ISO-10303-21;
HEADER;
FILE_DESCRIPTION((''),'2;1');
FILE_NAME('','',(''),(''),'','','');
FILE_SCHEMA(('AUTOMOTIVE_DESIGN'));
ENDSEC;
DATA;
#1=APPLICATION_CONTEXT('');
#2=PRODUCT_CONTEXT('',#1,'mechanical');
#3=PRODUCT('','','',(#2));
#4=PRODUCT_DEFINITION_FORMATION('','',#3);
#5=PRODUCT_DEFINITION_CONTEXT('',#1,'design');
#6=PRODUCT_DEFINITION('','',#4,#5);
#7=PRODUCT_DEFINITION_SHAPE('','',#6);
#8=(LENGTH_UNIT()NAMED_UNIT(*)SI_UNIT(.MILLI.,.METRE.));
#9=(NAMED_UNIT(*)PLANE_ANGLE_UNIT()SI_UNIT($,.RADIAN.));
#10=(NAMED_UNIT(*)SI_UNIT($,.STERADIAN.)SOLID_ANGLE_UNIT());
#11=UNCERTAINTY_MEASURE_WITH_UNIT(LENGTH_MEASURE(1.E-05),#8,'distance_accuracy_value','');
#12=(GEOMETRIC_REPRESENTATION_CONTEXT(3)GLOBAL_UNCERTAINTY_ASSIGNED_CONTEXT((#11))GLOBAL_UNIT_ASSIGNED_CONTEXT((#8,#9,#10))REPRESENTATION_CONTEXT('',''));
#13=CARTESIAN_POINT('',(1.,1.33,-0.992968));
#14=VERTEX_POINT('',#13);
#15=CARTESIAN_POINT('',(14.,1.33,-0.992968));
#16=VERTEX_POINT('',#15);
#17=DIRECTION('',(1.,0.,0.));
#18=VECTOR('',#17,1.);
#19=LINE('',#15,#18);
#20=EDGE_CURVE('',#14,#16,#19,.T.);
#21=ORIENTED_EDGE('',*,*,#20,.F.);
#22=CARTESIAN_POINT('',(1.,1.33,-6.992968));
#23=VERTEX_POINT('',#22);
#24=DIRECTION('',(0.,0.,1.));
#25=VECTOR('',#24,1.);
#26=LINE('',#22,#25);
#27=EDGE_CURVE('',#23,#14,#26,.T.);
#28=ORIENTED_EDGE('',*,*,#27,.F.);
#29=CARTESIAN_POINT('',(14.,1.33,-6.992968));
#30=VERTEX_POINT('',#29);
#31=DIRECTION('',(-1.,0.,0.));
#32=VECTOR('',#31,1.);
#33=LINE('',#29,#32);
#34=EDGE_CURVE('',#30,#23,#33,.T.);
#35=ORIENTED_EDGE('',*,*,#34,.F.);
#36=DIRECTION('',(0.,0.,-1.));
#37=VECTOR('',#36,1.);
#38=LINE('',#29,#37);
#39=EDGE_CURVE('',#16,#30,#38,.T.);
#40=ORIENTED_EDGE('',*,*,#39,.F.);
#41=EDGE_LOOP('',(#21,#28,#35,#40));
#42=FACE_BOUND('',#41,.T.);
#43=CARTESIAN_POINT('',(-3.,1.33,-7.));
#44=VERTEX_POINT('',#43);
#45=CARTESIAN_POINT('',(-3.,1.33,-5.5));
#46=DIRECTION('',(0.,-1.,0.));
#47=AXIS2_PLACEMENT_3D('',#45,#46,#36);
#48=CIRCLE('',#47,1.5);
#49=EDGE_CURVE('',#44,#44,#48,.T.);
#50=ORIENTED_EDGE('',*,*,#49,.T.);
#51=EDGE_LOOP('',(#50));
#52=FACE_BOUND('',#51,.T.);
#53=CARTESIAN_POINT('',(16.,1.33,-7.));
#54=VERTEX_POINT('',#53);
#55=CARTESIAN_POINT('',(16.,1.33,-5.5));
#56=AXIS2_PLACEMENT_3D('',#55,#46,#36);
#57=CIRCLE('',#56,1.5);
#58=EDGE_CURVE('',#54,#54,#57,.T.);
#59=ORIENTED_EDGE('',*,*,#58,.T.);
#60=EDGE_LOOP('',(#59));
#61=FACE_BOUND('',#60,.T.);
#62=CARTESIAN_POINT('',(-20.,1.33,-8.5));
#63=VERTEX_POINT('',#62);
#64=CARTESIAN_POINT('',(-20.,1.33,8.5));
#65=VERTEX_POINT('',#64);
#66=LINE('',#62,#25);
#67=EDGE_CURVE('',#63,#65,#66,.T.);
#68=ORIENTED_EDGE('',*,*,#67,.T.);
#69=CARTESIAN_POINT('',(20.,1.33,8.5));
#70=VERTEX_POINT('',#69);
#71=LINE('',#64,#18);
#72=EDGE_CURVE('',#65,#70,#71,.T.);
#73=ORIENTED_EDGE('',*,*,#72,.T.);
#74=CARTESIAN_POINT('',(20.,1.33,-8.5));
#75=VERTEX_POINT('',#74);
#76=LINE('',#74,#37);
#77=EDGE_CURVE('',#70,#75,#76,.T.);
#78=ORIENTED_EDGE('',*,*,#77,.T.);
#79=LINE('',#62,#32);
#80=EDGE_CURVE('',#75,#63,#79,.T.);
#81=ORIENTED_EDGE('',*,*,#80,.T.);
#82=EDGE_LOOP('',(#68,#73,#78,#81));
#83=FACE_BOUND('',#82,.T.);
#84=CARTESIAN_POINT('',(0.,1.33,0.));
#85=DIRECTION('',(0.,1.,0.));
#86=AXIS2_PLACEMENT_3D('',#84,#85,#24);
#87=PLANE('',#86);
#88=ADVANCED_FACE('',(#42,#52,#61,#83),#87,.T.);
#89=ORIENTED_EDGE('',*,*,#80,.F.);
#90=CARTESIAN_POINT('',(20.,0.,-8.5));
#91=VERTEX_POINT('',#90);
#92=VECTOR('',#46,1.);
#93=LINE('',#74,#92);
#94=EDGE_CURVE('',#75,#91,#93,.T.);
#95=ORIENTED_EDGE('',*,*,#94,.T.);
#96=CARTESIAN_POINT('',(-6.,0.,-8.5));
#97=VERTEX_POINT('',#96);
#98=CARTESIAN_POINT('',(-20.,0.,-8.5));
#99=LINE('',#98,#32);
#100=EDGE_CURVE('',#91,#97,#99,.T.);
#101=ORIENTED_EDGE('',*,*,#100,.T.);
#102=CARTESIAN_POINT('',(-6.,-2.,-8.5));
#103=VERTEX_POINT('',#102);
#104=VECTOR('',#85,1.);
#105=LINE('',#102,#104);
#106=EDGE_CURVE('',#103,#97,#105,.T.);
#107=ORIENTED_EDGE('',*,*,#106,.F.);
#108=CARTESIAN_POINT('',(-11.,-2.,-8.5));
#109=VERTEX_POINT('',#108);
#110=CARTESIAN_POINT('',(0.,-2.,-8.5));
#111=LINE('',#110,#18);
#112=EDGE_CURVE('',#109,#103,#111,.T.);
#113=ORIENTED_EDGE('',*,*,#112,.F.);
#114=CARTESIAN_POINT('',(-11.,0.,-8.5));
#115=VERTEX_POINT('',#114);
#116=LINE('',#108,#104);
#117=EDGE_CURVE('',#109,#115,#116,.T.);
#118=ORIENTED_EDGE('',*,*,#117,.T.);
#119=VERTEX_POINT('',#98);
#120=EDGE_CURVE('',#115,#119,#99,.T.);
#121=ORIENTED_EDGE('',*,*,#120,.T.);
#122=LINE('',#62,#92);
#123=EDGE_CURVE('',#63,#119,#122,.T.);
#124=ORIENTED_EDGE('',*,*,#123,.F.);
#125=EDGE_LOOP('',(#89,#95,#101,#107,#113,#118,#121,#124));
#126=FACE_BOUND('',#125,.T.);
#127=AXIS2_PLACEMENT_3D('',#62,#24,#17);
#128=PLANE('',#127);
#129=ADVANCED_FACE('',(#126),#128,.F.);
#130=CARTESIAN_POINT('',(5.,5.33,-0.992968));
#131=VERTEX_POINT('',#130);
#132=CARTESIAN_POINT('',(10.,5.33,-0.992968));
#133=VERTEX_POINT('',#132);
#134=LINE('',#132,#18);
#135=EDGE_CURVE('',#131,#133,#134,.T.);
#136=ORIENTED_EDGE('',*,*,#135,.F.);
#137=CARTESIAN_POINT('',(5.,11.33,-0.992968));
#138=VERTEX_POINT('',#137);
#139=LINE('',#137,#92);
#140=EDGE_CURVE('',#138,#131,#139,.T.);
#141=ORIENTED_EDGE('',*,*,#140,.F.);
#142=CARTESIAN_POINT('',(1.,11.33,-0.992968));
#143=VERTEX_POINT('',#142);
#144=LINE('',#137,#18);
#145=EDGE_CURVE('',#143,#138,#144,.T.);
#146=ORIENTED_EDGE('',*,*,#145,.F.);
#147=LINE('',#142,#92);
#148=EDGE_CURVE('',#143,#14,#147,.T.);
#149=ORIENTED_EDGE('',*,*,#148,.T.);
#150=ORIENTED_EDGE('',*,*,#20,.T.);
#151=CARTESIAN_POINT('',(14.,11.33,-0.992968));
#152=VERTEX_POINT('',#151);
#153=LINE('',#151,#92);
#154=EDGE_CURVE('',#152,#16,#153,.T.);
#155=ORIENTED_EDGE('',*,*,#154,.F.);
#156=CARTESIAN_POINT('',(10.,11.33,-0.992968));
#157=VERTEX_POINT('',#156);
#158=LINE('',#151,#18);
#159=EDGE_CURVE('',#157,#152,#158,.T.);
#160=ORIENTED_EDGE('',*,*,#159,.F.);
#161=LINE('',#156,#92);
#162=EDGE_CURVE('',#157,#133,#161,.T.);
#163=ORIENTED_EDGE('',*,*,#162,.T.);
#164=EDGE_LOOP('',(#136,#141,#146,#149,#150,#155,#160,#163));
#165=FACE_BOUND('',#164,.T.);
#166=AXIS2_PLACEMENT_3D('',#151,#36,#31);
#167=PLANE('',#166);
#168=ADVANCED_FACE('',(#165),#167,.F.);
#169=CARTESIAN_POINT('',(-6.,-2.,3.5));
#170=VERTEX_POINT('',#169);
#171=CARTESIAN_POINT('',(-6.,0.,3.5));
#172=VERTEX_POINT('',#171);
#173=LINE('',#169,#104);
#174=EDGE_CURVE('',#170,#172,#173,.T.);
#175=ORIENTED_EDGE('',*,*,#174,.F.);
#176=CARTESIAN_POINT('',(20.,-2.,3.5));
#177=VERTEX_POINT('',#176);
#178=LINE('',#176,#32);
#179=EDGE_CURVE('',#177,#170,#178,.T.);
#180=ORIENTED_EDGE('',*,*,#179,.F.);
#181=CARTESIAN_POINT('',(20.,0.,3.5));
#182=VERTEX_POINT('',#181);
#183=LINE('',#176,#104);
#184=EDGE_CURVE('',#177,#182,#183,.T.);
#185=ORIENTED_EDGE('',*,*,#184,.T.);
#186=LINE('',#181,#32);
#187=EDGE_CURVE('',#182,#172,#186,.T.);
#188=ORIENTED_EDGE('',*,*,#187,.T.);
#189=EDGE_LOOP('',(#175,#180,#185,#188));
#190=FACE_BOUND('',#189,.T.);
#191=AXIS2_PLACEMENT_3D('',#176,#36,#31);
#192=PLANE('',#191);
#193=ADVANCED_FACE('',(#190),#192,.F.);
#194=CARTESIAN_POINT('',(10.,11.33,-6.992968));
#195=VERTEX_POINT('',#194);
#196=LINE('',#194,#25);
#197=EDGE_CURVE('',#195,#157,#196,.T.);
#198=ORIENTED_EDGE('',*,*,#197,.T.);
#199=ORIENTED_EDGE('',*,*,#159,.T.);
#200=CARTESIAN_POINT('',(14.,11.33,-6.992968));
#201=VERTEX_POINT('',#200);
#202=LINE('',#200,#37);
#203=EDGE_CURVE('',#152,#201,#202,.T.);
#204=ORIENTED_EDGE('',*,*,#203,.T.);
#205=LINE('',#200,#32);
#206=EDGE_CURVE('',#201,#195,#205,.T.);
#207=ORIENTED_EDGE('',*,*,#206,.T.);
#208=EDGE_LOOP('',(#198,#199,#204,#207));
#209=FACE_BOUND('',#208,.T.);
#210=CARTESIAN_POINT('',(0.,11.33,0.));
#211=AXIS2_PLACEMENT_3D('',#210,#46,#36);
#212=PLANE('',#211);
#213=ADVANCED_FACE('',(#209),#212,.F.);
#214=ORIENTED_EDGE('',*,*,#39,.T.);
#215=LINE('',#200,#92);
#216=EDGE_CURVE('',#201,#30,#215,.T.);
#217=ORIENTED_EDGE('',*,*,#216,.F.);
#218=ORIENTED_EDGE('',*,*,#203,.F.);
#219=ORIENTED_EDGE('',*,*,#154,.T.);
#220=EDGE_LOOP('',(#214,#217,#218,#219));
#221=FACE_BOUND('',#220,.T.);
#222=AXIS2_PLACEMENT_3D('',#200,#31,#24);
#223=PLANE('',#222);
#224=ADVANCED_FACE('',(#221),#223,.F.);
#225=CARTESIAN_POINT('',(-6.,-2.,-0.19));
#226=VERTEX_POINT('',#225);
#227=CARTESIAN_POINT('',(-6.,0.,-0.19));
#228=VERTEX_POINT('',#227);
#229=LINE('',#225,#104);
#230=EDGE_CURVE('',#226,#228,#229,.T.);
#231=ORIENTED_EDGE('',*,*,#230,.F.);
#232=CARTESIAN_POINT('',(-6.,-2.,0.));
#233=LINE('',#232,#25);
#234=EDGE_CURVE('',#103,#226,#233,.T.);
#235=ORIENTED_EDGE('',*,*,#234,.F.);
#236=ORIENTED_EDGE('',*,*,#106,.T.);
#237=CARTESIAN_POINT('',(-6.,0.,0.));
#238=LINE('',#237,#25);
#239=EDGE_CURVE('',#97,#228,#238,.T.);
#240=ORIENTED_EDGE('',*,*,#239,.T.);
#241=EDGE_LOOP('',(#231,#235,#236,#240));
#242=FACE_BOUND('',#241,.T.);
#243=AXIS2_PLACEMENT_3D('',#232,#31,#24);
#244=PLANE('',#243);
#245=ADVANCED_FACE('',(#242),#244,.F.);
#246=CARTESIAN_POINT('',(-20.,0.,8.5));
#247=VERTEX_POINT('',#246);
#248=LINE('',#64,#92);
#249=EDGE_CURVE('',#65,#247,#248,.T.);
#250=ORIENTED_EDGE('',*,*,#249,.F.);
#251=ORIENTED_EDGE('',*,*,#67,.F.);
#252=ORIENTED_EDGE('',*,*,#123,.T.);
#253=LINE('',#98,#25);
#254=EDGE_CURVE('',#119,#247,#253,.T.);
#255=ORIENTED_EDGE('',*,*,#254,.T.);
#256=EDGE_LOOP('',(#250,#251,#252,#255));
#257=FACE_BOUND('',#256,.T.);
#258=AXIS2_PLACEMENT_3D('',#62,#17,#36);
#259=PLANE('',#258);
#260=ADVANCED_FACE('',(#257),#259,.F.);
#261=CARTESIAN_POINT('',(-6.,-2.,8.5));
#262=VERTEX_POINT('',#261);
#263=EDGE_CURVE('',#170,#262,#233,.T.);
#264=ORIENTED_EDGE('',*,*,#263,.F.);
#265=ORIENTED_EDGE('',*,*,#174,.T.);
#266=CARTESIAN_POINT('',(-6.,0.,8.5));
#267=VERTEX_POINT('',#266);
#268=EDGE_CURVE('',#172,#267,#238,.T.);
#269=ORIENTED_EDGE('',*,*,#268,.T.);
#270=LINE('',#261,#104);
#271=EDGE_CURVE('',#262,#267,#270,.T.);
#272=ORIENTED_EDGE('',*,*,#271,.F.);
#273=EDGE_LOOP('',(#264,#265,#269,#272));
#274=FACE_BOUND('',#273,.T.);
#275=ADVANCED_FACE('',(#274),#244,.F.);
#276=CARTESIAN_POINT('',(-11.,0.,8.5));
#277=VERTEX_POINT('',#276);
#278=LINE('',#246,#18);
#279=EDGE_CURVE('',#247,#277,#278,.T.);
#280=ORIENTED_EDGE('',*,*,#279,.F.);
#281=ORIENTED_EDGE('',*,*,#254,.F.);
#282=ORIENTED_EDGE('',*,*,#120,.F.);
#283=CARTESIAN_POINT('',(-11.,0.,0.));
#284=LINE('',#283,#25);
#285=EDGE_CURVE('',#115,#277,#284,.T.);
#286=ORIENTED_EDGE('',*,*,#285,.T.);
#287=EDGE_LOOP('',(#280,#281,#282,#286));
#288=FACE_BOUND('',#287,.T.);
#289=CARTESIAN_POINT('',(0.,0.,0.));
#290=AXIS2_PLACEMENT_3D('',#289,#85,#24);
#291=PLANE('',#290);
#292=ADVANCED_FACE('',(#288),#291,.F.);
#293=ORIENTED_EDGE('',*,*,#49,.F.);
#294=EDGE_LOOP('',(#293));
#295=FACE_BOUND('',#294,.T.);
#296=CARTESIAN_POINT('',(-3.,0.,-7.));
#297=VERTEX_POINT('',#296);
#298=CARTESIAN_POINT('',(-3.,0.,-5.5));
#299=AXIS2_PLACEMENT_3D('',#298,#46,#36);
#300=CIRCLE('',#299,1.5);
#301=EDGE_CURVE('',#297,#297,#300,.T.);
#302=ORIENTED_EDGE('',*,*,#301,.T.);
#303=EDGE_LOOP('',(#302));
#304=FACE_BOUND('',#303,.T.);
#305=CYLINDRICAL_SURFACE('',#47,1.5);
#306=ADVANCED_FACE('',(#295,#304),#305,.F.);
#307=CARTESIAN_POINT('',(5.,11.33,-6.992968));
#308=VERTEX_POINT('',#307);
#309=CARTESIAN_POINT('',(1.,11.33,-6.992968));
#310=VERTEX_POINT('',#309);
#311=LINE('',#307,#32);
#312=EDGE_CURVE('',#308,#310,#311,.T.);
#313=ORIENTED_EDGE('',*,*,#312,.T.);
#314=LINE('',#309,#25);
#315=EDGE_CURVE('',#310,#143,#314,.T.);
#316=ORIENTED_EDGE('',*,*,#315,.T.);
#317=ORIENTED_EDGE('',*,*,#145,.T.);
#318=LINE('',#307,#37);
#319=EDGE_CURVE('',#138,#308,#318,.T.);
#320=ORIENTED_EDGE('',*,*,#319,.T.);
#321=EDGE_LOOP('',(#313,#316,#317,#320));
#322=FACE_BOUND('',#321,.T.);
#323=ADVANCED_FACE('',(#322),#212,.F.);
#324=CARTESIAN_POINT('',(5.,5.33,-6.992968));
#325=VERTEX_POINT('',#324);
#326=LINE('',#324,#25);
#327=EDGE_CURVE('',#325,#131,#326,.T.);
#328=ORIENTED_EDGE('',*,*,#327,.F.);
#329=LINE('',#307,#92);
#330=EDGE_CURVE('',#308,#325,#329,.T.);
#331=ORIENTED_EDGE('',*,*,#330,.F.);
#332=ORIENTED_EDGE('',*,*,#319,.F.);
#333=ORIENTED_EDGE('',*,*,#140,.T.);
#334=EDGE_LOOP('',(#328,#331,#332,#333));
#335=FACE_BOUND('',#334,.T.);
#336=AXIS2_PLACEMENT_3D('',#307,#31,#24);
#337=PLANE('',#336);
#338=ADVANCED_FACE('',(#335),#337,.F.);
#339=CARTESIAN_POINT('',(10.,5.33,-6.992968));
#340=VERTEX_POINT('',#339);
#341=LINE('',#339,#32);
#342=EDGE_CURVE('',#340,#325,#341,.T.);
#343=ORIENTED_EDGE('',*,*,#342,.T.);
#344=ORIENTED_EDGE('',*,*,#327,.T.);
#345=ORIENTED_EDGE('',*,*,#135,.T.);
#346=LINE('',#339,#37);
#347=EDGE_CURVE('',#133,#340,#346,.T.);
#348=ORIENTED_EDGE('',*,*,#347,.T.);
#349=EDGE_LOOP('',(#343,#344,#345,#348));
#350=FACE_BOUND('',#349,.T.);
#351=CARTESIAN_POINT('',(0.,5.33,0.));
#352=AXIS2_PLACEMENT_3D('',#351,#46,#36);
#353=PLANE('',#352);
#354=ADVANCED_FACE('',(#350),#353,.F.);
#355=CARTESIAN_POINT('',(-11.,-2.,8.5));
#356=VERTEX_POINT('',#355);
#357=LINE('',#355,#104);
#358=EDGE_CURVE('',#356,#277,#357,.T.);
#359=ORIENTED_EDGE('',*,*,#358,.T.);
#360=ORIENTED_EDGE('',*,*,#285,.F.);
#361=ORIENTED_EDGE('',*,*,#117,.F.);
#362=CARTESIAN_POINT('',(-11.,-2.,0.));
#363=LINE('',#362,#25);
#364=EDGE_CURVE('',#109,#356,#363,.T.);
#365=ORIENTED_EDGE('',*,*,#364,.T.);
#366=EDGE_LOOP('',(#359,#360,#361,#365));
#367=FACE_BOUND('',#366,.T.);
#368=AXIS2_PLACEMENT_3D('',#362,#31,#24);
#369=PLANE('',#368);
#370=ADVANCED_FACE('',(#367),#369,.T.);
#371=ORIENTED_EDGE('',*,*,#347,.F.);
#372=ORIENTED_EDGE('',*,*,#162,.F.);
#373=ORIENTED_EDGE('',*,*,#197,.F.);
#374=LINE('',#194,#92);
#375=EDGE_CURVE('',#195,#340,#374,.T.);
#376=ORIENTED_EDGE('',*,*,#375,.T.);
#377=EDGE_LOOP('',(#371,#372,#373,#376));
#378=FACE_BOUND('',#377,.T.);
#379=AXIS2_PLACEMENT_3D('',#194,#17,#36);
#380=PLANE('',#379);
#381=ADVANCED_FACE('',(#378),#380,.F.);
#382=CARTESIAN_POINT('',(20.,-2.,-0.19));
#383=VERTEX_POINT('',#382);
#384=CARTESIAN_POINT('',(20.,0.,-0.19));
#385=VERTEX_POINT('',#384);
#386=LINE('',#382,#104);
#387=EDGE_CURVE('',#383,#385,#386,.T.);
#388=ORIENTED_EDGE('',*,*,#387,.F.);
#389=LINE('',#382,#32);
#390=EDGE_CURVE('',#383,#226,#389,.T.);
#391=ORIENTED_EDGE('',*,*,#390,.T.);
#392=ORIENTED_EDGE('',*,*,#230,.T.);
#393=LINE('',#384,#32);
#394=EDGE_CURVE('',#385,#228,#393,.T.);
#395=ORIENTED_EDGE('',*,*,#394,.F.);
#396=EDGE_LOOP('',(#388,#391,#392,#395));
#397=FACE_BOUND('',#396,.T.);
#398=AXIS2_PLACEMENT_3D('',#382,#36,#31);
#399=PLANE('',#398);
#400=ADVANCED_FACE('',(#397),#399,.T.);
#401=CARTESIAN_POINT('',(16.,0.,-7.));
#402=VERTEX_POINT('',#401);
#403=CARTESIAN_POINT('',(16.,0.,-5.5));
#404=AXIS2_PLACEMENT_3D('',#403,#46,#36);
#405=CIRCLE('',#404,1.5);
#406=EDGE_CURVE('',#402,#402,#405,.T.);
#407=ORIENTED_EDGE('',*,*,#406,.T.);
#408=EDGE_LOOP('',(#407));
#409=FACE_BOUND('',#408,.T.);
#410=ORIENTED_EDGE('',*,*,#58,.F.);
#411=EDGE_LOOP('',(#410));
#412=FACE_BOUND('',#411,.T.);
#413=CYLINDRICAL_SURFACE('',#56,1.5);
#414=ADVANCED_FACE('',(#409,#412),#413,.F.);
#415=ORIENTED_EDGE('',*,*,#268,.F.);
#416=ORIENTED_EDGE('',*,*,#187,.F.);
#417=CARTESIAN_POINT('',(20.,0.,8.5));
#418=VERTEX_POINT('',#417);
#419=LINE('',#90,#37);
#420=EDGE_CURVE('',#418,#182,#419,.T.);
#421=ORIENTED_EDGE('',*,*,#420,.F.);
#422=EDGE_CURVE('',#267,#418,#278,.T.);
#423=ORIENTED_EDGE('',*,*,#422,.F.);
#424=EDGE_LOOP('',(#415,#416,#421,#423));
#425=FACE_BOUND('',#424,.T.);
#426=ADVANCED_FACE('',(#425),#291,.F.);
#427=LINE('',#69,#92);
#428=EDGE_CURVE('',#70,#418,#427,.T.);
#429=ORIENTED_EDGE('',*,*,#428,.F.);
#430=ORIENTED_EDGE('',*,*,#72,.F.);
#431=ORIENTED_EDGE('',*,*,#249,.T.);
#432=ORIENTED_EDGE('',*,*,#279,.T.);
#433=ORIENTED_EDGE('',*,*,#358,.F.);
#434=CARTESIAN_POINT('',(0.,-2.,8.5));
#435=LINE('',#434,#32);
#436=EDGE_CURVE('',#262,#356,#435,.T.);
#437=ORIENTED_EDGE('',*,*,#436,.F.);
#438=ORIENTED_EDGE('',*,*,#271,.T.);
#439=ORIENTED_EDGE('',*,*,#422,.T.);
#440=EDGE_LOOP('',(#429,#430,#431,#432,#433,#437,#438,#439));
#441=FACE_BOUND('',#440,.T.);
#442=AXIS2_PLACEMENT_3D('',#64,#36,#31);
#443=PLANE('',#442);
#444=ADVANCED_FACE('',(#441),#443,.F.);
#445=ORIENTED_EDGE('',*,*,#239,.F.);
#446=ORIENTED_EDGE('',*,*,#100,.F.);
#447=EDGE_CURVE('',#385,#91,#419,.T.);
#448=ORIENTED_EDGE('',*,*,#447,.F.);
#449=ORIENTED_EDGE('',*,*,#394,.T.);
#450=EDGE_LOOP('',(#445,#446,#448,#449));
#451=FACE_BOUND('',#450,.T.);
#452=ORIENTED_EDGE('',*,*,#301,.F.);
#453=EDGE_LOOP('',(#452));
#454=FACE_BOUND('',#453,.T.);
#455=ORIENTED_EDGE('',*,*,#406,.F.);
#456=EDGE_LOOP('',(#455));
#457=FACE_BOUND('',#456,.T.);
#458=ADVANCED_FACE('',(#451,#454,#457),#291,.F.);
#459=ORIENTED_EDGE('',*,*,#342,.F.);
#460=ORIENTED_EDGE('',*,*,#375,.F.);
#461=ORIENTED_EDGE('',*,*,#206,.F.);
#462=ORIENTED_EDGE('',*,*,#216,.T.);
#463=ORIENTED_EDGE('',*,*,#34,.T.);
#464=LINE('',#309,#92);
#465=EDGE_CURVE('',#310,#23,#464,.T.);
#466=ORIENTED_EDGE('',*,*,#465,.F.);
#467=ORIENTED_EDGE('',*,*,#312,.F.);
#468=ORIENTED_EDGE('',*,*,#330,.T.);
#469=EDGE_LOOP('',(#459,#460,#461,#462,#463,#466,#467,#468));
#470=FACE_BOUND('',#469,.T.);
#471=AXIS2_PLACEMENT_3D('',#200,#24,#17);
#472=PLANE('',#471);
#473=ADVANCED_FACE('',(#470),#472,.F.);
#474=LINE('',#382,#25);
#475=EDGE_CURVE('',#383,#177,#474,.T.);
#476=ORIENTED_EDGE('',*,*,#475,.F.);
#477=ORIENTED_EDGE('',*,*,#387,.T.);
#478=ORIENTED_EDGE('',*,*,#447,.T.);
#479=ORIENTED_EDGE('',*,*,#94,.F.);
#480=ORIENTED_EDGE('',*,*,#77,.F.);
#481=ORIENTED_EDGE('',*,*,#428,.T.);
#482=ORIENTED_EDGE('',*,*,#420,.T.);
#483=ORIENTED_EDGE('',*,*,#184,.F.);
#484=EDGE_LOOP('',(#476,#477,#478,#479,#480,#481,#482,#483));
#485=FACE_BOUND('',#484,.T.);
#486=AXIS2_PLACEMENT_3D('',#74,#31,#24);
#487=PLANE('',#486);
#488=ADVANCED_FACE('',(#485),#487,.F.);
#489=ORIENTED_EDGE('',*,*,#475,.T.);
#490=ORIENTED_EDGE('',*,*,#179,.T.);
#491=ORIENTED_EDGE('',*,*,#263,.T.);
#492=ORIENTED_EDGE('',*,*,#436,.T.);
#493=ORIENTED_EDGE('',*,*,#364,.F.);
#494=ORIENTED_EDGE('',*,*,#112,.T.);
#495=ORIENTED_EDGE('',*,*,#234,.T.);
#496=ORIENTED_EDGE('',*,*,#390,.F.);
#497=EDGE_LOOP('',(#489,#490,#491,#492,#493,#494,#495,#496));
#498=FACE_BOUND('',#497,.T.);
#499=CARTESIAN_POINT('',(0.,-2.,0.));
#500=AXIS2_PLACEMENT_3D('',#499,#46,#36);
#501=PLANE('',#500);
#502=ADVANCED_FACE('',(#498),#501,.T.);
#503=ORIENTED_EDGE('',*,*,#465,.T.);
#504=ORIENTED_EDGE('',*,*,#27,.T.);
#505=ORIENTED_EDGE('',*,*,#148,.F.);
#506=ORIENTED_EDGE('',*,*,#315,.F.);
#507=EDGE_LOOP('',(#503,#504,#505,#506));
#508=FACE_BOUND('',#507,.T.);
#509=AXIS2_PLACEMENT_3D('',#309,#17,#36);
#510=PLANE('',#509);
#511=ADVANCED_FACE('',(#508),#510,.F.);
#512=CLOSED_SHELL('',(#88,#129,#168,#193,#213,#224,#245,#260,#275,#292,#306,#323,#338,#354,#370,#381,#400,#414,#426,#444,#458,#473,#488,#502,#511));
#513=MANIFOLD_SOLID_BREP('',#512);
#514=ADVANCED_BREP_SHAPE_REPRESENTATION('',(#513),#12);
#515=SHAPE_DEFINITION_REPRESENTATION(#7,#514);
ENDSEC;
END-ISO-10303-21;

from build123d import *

# Parameters (mm, degrees)
SKETCH_1_W          = 40
SKETCH_1_H          = 17
EXTRUDE_1_DEPTH     = 1.33
SKETCH_3_W          = 26
SKETCH_3_H          = 3.69
EXTRUDE_3_DEPTH     = 2
SKETCH_4_R          = 1.5
CUT_EXTRUDE_1_DEPTH = 22.823152843
SKETCH_2_W          = 4
SKETCH_2_H          = 6
EXTRUDE_4_DEPTH     = 10
SKETCH_5_W          = 5
SKETCH_5_H          = 6
EXTRUDE_5_DEPTH     = 4


with BuildPart() as part:
    # Эскиз1 → Бобышка-Вытянуть1 (new body)
    with BuildSketch(Plane(origin=(0, 0, 0), x_dir=(1, 0, 0), z_dir=(0, 1, 0))):
        Rectangle(SKETCH_1_W, SKETCH_1_H)
    extrude(amount=EXTRUDE_1_DEPTH)

    # Эскиз3 → Бобышка-Вытянуть3 (add)
    with BuildSketch(Plane.XZ):
        Polygon((-11, -8.5), (-6, -8.5), (-6, -0.19), (-6, 3.5), (-6, 8.5), (-11, 8.5), align=None)
        with Locations((7, 1.655)):
            Rectangle(SKETCH_3_W, SKETCH_3_H)
    extrude(amount=EXTRUDE_3_DEPTH)

    # Эскиз4 → Вырез-Вытянуть1 (cut, through all)
    with BuildSketch(Plane.XZ):
        with Locations(Location((16, -5.5, 0), (0, 0, 270))):
            Circle(SKETCH_4_R)
        with Locations(Location((-3, -5.5, 0), (0, 0, 270))):
            Circle(SKETCH_4_R)
    extrude(amount=-CUT_EXTRUDE_1_DEPTH, mode=Mode.SUBTRACT)

    # Эскиз2 → Бобышка-Вытянуть4 (add)
    with BuildSketch(Plane(origin=(0, 1.33, 0), x_dir=(1, 0, 0), z_dir=(0, 1, 0))):
        with Locations((12, 3.992967771)):
            Rectangle(SKETCH_2_W, SKETCH_2_H)
        with Locations((3, 3.992967771)):
            Rectangle(SKETCH_2_W, SKETCH_2_H)
    extrude(amount=EXTRUDE_4_DEPTH)

    # Эскиз5 → Бобышка-Вытянуть5 (add)
    with BuildSketch(Plane(origin=(0, 1.33, 0), x_dir=(1, 0, 0), z_dir=(0, 1, 0))):
        with Locations((7.5, 3.992967771)):
            Rectangle(SKETCH_5_W, SKETCH_5_H)
    extrude(amount=EXTRUDE_5_DEPTH)


solid = part.part
